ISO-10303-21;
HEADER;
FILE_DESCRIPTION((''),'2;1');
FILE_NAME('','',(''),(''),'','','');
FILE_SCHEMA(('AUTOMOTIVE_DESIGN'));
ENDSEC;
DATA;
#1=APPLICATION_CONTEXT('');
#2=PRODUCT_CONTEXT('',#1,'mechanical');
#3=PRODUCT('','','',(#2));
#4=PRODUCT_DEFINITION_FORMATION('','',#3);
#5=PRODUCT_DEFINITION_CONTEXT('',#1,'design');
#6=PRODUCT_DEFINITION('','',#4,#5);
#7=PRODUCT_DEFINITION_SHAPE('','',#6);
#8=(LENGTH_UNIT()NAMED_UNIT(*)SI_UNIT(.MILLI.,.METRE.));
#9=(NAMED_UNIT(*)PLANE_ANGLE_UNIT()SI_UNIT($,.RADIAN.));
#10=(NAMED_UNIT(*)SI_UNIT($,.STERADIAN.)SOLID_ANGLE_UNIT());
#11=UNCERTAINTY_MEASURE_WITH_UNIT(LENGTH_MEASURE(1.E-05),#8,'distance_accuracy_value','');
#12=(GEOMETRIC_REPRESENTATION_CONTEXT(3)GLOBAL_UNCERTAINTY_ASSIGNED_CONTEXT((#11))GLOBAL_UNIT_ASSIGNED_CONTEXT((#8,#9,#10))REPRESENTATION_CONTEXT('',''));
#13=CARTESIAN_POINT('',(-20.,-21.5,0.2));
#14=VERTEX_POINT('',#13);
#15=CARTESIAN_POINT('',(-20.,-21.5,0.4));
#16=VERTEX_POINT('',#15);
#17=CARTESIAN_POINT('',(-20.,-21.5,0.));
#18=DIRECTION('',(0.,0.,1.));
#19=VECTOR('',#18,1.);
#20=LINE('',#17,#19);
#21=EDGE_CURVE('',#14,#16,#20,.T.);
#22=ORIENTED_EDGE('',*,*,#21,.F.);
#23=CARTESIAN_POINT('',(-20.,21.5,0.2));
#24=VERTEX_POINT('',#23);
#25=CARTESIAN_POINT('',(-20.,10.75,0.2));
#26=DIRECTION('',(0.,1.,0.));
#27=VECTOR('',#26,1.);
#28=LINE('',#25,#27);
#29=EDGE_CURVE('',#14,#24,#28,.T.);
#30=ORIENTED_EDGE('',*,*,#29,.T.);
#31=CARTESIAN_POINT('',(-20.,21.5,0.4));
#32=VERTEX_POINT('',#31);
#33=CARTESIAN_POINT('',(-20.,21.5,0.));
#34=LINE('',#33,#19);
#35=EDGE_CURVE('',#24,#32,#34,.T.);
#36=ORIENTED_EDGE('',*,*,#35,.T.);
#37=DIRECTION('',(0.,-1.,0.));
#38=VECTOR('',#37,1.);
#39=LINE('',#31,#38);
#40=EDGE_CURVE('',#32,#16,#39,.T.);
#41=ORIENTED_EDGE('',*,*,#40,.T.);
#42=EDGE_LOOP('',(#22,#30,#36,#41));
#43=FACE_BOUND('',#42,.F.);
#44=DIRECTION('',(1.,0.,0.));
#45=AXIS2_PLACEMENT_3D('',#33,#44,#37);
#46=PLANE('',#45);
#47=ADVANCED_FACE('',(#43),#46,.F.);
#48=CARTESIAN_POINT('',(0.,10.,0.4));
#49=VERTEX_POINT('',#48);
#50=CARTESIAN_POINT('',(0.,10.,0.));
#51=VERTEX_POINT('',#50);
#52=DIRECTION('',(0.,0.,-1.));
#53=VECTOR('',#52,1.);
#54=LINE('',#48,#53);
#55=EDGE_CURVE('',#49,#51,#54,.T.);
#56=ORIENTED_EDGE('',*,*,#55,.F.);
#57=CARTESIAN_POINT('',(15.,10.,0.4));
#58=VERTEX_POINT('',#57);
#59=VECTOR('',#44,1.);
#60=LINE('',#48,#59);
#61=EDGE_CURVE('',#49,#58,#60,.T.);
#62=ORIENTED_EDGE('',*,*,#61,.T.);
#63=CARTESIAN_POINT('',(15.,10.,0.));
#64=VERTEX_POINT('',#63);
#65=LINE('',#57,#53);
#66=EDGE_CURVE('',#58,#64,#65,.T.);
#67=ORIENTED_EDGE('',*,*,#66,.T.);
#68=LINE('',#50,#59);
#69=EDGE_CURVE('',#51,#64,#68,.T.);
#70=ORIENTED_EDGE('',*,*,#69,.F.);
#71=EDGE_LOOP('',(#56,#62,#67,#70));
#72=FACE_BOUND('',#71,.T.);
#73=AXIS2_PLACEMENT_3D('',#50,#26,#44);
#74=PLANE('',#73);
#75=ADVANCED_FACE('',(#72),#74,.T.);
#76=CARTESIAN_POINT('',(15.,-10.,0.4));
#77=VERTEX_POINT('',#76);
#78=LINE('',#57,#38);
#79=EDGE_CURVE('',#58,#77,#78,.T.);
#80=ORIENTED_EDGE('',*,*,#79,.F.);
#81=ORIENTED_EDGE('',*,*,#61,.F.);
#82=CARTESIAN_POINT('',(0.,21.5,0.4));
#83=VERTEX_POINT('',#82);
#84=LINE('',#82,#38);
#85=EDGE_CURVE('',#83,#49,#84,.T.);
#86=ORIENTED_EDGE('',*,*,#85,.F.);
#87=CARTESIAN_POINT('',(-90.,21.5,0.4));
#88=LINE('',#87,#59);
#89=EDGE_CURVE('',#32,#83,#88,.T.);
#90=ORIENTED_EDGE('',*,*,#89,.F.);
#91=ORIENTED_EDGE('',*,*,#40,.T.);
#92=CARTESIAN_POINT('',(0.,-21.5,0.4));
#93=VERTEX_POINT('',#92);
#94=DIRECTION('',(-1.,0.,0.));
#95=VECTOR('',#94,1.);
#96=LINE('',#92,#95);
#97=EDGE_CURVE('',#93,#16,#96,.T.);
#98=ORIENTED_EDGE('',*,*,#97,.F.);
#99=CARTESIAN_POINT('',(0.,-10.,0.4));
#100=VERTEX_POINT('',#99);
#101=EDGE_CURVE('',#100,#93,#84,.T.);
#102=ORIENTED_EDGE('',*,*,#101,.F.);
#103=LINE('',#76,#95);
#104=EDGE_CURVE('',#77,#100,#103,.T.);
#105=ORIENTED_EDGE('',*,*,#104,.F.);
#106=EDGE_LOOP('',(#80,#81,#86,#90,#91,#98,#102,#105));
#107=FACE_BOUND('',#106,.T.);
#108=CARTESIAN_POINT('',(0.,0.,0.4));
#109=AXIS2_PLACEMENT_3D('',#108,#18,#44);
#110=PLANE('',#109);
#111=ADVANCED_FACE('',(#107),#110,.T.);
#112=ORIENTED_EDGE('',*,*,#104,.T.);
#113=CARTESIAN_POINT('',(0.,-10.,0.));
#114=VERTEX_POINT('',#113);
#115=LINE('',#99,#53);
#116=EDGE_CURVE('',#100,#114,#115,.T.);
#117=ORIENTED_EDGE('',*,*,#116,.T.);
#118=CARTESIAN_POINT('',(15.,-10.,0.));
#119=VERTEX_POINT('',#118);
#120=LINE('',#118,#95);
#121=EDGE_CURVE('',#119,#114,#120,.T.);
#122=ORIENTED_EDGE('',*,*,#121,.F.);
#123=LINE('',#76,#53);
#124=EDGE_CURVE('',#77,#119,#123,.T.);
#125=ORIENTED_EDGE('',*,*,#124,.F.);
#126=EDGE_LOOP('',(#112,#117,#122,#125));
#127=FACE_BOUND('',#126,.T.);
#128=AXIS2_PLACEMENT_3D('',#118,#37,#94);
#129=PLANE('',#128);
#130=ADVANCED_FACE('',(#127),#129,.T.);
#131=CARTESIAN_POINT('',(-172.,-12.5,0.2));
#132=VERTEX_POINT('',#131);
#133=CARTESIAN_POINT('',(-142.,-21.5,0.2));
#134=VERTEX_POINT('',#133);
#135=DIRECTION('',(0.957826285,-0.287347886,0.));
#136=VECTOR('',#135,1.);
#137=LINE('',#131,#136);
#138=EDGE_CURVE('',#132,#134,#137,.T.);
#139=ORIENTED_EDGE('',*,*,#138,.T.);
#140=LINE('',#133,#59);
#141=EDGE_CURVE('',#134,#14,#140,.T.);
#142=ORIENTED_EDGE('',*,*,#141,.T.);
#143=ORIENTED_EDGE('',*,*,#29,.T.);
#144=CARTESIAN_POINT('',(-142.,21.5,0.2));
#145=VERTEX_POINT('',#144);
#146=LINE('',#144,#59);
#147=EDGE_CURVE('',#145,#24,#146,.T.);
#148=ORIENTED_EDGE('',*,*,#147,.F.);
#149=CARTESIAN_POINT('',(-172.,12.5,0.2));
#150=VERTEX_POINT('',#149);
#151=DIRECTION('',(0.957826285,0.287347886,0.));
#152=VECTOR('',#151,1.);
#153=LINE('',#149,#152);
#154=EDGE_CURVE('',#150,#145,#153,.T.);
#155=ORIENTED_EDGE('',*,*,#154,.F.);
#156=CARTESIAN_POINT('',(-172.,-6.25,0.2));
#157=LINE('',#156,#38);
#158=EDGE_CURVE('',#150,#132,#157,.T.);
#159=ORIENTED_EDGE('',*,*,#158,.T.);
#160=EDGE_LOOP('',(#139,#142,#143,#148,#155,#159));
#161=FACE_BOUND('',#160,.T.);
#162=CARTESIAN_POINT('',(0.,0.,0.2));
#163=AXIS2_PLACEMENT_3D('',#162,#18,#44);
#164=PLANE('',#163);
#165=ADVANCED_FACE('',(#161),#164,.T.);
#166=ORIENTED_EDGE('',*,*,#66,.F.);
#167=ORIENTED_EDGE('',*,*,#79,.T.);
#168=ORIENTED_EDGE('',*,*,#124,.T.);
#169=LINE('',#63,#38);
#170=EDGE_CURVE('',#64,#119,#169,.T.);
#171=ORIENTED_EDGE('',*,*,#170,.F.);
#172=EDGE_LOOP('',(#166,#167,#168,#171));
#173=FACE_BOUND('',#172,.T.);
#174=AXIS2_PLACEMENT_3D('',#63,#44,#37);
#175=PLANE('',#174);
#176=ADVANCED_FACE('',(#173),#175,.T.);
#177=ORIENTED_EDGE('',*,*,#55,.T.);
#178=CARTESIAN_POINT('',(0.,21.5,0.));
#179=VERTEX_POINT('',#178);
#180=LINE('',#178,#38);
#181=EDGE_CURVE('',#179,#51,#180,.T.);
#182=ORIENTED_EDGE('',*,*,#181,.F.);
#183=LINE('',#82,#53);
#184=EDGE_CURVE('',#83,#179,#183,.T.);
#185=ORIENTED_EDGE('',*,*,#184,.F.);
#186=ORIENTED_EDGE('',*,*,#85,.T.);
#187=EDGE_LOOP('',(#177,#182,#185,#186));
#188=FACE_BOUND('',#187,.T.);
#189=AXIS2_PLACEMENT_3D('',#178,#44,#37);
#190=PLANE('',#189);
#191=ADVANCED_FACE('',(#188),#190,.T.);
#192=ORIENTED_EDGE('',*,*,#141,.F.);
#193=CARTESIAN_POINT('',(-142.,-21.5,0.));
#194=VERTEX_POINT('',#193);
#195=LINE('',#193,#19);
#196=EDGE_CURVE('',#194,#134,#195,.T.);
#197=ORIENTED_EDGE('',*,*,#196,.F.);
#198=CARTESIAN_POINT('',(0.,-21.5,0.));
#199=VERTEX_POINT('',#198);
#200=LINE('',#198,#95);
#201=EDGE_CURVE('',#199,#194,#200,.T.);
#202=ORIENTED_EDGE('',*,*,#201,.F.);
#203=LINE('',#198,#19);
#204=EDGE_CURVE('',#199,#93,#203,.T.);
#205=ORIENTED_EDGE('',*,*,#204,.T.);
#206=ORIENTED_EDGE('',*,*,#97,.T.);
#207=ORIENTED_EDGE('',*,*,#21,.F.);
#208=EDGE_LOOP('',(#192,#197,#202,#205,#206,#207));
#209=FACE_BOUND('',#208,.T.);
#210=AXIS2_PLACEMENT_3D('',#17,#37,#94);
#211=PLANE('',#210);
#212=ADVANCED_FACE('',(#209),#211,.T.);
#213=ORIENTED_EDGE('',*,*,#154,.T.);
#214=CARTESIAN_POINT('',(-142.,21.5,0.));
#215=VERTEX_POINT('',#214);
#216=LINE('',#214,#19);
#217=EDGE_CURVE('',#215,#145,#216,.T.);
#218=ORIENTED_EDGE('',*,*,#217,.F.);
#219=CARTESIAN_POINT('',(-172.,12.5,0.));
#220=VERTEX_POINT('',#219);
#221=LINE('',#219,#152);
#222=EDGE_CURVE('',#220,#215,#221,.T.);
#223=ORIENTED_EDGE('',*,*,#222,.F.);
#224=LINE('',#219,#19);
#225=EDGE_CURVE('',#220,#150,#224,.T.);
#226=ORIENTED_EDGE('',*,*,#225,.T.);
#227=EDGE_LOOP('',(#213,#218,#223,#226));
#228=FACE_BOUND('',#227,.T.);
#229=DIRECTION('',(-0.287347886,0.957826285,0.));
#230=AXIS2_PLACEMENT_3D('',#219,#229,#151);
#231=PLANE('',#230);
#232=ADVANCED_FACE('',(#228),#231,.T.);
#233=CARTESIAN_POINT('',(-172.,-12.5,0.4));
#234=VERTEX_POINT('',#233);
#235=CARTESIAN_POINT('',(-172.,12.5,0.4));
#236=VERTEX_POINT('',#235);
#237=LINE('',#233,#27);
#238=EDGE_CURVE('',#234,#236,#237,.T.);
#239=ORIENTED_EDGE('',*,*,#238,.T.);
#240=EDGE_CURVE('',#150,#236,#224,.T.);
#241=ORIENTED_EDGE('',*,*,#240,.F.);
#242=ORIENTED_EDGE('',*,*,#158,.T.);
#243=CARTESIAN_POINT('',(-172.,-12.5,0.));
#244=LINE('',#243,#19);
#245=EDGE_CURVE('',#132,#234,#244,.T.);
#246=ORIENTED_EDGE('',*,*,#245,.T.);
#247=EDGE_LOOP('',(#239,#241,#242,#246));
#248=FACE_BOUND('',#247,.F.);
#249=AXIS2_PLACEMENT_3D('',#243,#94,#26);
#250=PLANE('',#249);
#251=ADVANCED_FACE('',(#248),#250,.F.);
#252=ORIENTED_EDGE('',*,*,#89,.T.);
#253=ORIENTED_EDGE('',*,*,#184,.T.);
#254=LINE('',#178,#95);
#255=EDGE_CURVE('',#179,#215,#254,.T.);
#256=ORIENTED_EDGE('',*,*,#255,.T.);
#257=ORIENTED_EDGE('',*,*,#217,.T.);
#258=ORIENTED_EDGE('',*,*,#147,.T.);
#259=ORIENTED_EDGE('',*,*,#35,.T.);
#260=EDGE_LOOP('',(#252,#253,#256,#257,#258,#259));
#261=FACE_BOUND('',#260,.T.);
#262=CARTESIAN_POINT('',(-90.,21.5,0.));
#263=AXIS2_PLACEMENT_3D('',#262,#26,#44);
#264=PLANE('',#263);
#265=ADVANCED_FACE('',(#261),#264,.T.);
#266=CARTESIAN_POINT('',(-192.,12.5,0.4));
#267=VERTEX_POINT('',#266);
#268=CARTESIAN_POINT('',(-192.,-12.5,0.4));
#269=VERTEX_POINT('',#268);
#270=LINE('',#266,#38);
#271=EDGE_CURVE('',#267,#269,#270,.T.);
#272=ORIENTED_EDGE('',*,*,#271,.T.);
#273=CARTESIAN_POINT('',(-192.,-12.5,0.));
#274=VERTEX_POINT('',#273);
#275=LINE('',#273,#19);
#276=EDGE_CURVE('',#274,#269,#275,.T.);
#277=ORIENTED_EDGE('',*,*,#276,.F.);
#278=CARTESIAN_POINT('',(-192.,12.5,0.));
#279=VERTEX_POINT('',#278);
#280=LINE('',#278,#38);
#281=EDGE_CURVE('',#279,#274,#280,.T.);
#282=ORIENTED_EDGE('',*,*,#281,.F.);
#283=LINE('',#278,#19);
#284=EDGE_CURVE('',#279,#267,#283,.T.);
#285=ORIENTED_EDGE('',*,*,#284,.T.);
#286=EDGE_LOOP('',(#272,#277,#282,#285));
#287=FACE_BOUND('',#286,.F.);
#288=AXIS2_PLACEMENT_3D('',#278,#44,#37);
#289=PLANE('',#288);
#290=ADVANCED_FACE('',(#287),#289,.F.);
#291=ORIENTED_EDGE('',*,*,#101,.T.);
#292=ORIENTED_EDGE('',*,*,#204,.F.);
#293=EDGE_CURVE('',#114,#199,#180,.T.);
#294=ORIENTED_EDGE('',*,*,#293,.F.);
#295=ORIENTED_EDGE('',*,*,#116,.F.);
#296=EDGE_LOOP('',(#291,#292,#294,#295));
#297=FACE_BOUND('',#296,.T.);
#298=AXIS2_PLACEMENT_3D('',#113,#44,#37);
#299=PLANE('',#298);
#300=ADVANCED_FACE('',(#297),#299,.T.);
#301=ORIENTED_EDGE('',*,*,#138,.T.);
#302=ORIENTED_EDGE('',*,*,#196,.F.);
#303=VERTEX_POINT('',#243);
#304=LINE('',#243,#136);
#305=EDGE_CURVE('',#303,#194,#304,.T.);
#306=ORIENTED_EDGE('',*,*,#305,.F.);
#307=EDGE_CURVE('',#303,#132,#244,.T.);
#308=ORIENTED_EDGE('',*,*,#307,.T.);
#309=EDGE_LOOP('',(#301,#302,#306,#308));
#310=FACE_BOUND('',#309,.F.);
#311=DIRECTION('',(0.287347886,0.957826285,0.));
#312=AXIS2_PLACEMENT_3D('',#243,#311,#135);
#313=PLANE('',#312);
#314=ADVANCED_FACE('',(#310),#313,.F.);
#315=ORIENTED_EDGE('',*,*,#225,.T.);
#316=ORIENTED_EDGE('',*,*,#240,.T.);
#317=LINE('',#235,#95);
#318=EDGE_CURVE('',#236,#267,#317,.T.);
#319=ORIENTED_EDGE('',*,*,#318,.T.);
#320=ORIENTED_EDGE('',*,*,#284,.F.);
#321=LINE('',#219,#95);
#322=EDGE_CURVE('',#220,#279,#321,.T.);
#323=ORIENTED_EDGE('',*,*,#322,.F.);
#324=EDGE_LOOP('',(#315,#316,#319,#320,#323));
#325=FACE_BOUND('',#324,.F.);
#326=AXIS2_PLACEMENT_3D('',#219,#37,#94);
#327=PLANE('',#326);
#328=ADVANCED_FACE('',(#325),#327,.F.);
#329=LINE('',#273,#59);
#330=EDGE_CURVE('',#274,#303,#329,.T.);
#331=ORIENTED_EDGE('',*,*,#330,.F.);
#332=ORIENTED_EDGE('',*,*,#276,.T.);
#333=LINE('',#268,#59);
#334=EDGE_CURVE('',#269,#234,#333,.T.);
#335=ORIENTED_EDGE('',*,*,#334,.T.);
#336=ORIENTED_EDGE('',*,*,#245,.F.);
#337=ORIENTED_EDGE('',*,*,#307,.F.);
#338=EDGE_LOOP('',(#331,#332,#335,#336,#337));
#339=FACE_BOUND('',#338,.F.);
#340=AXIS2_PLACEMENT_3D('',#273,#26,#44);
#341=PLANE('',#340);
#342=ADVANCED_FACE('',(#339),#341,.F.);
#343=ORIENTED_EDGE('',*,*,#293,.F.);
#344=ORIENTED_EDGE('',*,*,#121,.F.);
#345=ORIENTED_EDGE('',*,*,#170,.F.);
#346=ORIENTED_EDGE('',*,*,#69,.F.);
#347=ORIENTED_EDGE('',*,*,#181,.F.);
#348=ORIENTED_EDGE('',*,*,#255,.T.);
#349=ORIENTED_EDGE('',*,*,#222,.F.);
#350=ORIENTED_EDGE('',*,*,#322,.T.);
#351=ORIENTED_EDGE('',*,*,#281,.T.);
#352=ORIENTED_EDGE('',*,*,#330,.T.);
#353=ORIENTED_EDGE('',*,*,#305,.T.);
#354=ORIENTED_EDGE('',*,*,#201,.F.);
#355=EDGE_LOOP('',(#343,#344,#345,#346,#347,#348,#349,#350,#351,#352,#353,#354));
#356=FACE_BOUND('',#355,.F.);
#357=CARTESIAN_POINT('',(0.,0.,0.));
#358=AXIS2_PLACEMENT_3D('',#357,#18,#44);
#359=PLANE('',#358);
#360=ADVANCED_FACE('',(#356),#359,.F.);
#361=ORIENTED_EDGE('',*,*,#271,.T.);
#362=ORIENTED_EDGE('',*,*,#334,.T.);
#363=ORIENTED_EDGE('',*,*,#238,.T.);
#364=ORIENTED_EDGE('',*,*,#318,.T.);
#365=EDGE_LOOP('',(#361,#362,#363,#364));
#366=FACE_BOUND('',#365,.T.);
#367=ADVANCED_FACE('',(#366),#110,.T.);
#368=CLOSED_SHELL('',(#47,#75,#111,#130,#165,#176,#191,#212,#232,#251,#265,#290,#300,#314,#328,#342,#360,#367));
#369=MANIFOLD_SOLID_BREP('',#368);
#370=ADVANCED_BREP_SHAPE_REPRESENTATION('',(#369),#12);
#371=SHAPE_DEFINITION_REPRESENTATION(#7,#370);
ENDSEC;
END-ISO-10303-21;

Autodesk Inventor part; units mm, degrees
ref_plane "YZ Plane" through (0, 0, 0) normal (1, 0, 0) x (0, 1, 0)
ref_plane "XZ Plane" through (0, 0, 0) normal (0, 1, 0) x (-1, 0, 0)
ref_plane "XY Plane" through (0, 0, 0) normal (0, 0, 1) x (1, 0, 0)
sketch "Sketch1" plane through (0, 0, 0) normal (0, 0, 1) x (1, 0, 0)
  line L0 (-90, 21.5) -> (0, 21.5)
  line L1 (0, 21.5) -> (0, -21.5)
  line L2 (0, -21.5) -> (-90, -21.5)
  line L3 (-90, -21.5) -> (-90, 21.5)
  line L4 (-90, 21.5) -> (-142, 21.5)
  line L5 (-142, 21.5) -> (-142, -21.5)
  line L6 (-142, -21.5) -> (-90, -21.5)
  line L7 (-90, -21.5) -> (-90, 21.5)
  line L8 (-96, 21.5) -> (-96, -21.5)
  line L9 (-136, 21.5) -> (-136, -21.5)
  line L10 (-172, 39.3338) -> (-172, -34.4361) construction
  line L11 (-172, 12.5) -> (-192, 12.5)
  line L12 (-192, 12.5) -> (-192, -12.5)
  line L13 (-192, -12.5) -> (-172, -12.5)
  line L14 (-172, -12.5) -> (-172, 12.5)
  line L15 (-237.0195, 0) -> (143.1564, 0) construction
  line L16 (0, 148.4042) -> (0, -100.7046) construction
  line L17 (-172, 12.5) -> (-142, 21.5)
  line L18 (-172, -12.5) -> (-142, -21.5)
  line L19 (-20, 21.5) -> (-20, -21.5)
  line L20 (0, 10) -> (15, 10)
  line L21 (15, 10) -> (15, -10)
  line L22 (15, -10) -> (0, -10)
  line L23 (0, -10) -> (0, 10)
  line L24 (-63.7943, -15.2321) -> (-63.7943, 15.4179)
  line L25 (-63.7943, 15.4179) -> (-44.6843, 15.4179)
  line L26 (-44.6843, 15.4179) -> (-44.6843, -15.2321)
  line L27 (-44.6843, -15.2321) -> (-63.7943, -15.2321)
  line L28 (-86.4422, 19.0102) -> (-68.4422, 19.0102)
  line L29 (-68.4422, 19.0102) -> (-68.4422, -18.9898)
  line L30 (-68.4422, -18.9898) -> (-86.4422, -18.9898)
  line L31 (-86.4422, -18.9898) -> (-86.4422, 19.0102)
  line L32 (-41.3198, 14.7798) -> (-22.3198, 14.7798)
  line L33 (-22.3198, 14.7798) -> (-22.3198, -4.2202)
  line L34 (-22.3198, -4.2202) -> (-41.3198, -4.2202)
  line L35 (-41.3198, -4.2202) -> (-41.3198, 14.7798)
  line L36 (-41.3198, -7.7055) -> (-24.4109, -7.7055)
  line L37 (-24.4109, -7.7055) -> (-24.4109, -17)
  line L38 (-24.4109, -17) -> (-41.3198, -17)
  line L39 (-41.3198, -17) -> (-41.3198, -7.7055)
  point P0 (0, 0)
  point P1 (0, 0)
  point P2 (-172, 0)
  point P3 (15, 0)
  dimension "d0" = 90
  dimension "d1" = 43
  dimension "d2" = 6
  dimension "d3" = 6
  dimension "d5" = 40
  dimension "d6" = 30
  dimension "d7" = 20
  dimension "d8" = 25
  dimension "d23" = 20
  dimension "d34" = 15
  dimension "d35" = 20
  dimension "d36" = 19
  dimension "d37" = 19
  dimension "d38" = 30.65
  dimension "d39" = 19.11
  dimension "d40" = 38
  dimension "d41" = 18
extrude "Extrusion1" add sketch "Sketch1" along normal blind 0.2 contours L0 L19 L2 L3 | L3 L6 L8 L4 | L0 L1 L2 L19 | L8 L6 L9 L4 | L9 L6 L5 L4 | L20 L21 L22 L1 | L5 L18 L14 L17 | L14 L13 L12 L11 | L24 L25 L26 L27 | L28 L29 L30 L31 | L32 L33 L34 L35 | L36 L37 L38 L39
extrude "Extrusion3" add sketch "Sketch1" along normal blind 0.4 contours L0 L1 L2 L19 | L20 L21 L22 L1
extrude "Extrusion4" add sketch "Sketch1" along normal blind 0.4 contours L14 L13 L12 L11
equation "\"d19\" = material"
equation "\"d30\" = 2 * material"
equation "\"d32\" = 2 * material"
equation "\"material\" = 0.2"
properties part number "BandSide"
